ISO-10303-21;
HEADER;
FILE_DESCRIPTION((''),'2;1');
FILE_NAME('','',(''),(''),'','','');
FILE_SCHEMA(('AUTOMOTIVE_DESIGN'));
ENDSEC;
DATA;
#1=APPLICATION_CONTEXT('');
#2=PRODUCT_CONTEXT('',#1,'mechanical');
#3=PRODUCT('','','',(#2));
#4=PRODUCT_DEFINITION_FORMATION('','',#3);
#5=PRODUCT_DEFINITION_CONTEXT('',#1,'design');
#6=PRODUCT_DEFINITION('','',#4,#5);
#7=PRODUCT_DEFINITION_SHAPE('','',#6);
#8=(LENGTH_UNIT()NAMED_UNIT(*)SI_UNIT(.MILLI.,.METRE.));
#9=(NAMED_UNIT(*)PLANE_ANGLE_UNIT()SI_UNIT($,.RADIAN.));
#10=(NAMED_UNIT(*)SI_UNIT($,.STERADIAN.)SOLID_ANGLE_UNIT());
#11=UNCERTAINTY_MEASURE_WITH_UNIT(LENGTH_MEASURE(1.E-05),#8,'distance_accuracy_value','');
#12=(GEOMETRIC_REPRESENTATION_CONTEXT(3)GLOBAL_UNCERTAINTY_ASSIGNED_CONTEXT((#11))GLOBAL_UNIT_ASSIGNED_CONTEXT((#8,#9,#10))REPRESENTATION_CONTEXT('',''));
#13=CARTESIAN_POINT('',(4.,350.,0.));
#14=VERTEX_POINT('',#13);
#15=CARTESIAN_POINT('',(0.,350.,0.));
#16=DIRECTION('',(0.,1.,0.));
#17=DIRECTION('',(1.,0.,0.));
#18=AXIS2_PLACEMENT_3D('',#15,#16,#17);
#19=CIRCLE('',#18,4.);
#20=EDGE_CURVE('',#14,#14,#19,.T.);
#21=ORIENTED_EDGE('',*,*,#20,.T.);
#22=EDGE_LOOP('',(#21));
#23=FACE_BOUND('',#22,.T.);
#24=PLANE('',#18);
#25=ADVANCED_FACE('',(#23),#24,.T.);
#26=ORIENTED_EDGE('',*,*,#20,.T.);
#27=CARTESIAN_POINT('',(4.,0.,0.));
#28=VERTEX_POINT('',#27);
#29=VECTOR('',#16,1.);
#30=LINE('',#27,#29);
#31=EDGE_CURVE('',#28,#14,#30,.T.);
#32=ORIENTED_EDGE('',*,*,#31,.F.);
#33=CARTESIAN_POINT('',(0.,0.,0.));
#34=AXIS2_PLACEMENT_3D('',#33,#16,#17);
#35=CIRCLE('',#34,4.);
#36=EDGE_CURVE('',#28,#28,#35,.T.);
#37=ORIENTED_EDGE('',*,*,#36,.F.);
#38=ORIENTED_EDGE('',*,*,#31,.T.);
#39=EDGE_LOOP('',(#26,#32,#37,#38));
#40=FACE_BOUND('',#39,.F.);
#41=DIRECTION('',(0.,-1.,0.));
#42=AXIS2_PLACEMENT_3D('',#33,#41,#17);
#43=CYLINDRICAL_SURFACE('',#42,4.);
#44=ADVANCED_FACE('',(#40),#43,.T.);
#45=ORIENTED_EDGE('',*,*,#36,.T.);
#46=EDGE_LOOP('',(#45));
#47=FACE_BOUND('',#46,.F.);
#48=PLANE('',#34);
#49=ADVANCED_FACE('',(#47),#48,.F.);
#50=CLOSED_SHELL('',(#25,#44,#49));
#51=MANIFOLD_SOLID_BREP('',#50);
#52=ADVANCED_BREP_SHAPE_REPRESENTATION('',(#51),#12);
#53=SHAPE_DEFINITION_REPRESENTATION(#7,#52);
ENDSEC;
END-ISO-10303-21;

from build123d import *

# Parameters (mm, degrees)
SKETCH_1_R      = 4
EXTRUDE_1_DEPTH = 350


with BuildPart() as part:
    # 草圖1 → 填料-伸長1 (new body)
    with BuildSketch(Plane(origin=(0, 0, 0), x_dir=(1, 0, 0), z_dir=(0, 1, 0))):
        Circle(SKETCH_1_R)
    extrude(amount=EXTRUDE_1_DEPTH)


solid = part.part
